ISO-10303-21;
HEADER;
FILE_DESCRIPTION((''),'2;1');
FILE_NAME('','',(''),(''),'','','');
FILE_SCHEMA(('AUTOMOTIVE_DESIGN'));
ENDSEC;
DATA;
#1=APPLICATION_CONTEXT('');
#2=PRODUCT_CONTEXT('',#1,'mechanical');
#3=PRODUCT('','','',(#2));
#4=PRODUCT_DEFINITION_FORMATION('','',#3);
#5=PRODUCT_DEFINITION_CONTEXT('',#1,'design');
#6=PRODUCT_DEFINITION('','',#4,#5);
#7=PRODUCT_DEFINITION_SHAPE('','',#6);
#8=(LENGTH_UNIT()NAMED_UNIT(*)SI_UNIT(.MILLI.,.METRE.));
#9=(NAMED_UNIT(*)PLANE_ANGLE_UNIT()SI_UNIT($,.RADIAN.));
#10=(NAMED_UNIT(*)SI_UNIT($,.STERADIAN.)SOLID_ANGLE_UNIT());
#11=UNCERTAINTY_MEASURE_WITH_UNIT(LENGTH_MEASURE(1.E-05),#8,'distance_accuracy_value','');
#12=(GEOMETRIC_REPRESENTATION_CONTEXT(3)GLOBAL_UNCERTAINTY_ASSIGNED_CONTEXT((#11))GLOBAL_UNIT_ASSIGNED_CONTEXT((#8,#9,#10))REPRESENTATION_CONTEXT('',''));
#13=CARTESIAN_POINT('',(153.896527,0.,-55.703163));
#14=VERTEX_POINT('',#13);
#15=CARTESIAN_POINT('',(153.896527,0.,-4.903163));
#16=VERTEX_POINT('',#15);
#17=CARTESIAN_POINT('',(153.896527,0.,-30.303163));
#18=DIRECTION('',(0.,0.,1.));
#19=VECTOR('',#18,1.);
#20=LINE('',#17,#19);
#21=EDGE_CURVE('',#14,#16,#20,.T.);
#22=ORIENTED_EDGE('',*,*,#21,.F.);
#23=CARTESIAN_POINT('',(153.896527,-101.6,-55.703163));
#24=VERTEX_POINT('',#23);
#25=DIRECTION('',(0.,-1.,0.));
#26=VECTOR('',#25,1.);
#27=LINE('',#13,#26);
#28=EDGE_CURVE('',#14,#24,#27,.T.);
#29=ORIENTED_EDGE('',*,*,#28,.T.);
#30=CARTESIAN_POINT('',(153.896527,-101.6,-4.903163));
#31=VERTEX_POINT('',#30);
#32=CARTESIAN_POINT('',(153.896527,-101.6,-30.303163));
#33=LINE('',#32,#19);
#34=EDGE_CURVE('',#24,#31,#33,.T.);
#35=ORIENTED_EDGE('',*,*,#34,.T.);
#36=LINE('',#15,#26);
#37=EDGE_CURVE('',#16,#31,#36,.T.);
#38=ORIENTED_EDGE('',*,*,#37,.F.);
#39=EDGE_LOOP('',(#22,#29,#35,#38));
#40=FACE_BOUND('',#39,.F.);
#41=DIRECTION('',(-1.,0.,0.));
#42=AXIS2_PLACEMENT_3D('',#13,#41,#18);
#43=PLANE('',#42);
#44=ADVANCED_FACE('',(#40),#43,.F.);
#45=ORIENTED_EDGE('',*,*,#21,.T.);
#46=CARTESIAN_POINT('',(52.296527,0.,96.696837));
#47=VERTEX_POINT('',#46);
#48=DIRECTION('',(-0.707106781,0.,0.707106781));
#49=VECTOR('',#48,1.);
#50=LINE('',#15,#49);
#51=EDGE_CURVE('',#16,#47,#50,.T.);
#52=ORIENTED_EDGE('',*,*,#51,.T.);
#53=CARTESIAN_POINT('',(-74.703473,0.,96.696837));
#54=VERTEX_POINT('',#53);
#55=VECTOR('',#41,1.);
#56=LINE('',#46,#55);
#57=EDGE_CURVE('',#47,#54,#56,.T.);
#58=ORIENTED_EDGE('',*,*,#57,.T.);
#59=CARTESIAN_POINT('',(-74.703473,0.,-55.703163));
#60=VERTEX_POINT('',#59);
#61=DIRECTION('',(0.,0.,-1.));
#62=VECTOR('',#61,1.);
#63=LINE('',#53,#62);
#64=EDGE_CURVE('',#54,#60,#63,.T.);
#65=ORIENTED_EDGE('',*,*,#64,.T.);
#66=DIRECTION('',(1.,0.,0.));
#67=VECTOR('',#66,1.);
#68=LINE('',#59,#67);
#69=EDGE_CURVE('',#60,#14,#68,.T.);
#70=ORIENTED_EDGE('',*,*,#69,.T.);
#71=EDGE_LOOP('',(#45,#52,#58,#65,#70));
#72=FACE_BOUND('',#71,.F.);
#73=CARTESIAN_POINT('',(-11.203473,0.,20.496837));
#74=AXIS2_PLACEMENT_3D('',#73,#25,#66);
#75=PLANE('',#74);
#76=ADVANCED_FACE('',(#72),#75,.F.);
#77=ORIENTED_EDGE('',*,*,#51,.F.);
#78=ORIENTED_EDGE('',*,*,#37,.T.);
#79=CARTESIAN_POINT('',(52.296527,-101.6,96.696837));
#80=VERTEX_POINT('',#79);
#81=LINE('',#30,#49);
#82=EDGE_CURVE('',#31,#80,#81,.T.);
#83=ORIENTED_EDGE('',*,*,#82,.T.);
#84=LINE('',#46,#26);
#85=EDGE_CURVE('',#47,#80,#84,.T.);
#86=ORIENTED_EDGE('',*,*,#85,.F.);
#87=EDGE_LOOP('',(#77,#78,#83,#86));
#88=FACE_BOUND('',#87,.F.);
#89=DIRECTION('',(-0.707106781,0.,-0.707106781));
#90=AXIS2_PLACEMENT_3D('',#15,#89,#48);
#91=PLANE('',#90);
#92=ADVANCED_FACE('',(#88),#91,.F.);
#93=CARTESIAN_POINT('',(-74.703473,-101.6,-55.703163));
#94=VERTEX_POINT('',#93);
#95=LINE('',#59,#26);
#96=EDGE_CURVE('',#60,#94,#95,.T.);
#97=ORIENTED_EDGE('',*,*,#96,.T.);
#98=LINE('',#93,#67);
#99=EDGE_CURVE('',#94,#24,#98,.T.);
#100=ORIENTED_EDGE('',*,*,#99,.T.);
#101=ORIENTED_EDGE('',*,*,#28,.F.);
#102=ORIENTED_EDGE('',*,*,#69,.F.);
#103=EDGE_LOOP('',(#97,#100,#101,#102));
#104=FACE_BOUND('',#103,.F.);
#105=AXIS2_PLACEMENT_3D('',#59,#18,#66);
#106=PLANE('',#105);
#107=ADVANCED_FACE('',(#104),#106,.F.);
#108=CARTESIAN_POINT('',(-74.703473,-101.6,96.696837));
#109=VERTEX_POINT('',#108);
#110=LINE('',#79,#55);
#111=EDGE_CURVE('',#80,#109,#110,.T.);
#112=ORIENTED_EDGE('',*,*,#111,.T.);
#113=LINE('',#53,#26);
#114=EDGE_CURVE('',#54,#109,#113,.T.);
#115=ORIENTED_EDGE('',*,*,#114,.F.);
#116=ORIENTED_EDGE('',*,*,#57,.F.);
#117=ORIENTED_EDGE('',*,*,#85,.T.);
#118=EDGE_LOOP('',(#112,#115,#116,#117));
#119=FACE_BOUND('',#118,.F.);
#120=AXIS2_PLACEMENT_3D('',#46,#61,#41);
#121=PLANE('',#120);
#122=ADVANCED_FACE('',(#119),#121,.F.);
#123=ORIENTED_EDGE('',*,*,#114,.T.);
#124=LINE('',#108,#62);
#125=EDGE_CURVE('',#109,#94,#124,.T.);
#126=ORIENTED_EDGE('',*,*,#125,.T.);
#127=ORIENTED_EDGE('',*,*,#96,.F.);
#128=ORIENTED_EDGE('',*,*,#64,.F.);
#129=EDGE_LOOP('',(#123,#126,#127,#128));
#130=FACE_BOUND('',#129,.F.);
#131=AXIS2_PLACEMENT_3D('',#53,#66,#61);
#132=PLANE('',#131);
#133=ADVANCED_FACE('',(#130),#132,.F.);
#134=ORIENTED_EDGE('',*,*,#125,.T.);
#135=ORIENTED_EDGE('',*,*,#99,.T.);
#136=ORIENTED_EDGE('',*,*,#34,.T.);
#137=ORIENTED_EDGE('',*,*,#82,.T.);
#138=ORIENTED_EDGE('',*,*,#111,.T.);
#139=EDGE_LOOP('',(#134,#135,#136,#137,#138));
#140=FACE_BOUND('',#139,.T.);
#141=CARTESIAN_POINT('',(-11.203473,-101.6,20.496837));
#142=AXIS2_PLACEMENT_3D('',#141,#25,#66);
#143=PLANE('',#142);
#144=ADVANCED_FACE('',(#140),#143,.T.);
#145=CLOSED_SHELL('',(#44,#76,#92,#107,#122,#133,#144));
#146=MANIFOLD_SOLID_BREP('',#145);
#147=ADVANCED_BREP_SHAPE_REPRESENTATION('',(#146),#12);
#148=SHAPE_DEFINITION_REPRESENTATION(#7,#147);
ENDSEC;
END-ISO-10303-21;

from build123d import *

# Parameters (mm, degrees)
F0_W     = 101.6
F0_H     = 50.8
F1_DEPTH = 101.6


with BuildPart() as f1:
    # F0 (on Front) → F1 (new body)
    with BuildSketch(Plane.XZ):
        Polygon((52.296527, 96.696837), (-74.703473, 96.696837), (-74.703473, -55.703163), (52.296527, -55.703163), (52.296527, -4.903163), align=None)
        Polygon((153.896527, -4.903163), (52.296527, 96.696837), (52.296527, -4.903163), align=None)
        with Locations((103.096527, -30.303163)):
            Rectangle(F0_W, F0_H)
    extrude(amount=F1_DEPTH)


solid = f1.part
